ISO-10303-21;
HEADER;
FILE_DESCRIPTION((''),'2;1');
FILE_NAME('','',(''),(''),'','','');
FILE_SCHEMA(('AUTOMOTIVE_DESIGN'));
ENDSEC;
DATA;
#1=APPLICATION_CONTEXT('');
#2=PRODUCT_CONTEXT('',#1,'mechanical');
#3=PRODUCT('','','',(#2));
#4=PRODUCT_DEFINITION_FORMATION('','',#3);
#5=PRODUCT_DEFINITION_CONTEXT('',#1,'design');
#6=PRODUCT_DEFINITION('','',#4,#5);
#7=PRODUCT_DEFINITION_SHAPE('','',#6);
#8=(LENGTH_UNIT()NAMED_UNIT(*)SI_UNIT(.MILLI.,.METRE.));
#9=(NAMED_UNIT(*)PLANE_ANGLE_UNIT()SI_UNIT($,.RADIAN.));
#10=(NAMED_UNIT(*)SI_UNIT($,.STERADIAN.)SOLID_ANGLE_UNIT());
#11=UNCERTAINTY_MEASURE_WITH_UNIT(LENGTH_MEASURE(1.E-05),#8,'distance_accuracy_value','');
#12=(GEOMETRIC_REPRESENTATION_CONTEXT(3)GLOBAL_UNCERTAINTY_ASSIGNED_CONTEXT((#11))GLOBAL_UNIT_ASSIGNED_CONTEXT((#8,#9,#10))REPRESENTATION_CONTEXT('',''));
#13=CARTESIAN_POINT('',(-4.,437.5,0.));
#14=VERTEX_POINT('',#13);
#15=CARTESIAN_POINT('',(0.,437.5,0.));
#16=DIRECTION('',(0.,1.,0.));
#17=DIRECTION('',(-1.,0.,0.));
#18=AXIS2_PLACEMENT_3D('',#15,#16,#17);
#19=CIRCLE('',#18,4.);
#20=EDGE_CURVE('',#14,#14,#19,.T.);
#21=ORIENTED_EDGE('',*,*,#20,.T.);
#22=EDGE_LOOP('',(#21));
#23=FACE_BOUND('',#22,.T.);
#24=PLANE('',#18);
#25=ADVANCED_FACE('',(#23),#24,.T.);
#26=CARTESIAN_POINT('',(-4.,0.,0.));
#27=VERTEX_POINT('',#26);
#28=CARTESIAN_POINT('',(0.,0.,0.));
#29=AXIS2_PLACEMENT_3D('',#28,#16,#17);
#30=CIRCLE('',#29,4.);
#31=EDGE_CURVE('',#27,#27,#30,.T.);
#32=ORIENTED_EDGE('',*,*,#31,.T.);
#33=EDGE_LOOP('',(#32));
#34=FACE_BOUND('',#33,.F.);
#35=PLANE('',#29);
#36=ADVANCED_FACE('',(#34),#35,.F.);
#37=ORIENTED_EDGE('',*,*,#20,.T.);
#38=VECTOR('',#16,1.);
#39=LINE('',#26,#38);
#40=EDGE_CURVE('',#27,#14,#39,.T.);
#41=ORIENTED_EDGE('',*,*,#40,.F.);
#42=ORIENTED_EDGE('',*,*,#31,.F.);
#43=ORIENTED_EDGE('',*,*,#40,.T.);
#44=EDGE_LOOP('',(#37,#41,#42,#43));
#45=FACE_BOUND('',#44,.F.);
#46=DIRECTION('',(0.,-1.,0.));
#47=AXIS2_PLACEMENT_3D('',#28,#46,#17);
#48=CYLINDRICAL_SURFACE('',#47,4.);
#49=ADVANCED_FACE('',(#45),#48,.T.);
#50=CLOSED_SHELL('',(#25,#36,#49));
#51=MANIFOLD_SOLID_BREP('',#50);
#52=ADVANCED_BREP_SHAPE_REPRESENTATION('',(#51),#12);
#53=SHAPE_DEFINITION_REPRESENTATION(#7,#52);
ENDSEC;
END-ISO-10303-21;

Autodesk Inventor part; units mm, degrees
ref_plane "YZ Plane" through (0, 0, 0) normal (1, 0, 0) x (0, 1, 0)
ref_plane "XZ Plane" through (0, 0, 0) normal (0, 1, 0) x (-1, 0, 0)
ref_plane "XY Plane" through (0, 0, 0) normal (0, 0, 1) x (1, 0, 0)
sketch "Sketch1" plane through (0, 0, 0) normal (0, 1, 0) x (-1, 0, 0)
  circle A0 centre (0, 0) radius 4
  dimension "d0" = 8
extrude "Extrusion1" add sketch "Sketch1" along normal blind 437.5
properties part number "8mm Linear Rod"
